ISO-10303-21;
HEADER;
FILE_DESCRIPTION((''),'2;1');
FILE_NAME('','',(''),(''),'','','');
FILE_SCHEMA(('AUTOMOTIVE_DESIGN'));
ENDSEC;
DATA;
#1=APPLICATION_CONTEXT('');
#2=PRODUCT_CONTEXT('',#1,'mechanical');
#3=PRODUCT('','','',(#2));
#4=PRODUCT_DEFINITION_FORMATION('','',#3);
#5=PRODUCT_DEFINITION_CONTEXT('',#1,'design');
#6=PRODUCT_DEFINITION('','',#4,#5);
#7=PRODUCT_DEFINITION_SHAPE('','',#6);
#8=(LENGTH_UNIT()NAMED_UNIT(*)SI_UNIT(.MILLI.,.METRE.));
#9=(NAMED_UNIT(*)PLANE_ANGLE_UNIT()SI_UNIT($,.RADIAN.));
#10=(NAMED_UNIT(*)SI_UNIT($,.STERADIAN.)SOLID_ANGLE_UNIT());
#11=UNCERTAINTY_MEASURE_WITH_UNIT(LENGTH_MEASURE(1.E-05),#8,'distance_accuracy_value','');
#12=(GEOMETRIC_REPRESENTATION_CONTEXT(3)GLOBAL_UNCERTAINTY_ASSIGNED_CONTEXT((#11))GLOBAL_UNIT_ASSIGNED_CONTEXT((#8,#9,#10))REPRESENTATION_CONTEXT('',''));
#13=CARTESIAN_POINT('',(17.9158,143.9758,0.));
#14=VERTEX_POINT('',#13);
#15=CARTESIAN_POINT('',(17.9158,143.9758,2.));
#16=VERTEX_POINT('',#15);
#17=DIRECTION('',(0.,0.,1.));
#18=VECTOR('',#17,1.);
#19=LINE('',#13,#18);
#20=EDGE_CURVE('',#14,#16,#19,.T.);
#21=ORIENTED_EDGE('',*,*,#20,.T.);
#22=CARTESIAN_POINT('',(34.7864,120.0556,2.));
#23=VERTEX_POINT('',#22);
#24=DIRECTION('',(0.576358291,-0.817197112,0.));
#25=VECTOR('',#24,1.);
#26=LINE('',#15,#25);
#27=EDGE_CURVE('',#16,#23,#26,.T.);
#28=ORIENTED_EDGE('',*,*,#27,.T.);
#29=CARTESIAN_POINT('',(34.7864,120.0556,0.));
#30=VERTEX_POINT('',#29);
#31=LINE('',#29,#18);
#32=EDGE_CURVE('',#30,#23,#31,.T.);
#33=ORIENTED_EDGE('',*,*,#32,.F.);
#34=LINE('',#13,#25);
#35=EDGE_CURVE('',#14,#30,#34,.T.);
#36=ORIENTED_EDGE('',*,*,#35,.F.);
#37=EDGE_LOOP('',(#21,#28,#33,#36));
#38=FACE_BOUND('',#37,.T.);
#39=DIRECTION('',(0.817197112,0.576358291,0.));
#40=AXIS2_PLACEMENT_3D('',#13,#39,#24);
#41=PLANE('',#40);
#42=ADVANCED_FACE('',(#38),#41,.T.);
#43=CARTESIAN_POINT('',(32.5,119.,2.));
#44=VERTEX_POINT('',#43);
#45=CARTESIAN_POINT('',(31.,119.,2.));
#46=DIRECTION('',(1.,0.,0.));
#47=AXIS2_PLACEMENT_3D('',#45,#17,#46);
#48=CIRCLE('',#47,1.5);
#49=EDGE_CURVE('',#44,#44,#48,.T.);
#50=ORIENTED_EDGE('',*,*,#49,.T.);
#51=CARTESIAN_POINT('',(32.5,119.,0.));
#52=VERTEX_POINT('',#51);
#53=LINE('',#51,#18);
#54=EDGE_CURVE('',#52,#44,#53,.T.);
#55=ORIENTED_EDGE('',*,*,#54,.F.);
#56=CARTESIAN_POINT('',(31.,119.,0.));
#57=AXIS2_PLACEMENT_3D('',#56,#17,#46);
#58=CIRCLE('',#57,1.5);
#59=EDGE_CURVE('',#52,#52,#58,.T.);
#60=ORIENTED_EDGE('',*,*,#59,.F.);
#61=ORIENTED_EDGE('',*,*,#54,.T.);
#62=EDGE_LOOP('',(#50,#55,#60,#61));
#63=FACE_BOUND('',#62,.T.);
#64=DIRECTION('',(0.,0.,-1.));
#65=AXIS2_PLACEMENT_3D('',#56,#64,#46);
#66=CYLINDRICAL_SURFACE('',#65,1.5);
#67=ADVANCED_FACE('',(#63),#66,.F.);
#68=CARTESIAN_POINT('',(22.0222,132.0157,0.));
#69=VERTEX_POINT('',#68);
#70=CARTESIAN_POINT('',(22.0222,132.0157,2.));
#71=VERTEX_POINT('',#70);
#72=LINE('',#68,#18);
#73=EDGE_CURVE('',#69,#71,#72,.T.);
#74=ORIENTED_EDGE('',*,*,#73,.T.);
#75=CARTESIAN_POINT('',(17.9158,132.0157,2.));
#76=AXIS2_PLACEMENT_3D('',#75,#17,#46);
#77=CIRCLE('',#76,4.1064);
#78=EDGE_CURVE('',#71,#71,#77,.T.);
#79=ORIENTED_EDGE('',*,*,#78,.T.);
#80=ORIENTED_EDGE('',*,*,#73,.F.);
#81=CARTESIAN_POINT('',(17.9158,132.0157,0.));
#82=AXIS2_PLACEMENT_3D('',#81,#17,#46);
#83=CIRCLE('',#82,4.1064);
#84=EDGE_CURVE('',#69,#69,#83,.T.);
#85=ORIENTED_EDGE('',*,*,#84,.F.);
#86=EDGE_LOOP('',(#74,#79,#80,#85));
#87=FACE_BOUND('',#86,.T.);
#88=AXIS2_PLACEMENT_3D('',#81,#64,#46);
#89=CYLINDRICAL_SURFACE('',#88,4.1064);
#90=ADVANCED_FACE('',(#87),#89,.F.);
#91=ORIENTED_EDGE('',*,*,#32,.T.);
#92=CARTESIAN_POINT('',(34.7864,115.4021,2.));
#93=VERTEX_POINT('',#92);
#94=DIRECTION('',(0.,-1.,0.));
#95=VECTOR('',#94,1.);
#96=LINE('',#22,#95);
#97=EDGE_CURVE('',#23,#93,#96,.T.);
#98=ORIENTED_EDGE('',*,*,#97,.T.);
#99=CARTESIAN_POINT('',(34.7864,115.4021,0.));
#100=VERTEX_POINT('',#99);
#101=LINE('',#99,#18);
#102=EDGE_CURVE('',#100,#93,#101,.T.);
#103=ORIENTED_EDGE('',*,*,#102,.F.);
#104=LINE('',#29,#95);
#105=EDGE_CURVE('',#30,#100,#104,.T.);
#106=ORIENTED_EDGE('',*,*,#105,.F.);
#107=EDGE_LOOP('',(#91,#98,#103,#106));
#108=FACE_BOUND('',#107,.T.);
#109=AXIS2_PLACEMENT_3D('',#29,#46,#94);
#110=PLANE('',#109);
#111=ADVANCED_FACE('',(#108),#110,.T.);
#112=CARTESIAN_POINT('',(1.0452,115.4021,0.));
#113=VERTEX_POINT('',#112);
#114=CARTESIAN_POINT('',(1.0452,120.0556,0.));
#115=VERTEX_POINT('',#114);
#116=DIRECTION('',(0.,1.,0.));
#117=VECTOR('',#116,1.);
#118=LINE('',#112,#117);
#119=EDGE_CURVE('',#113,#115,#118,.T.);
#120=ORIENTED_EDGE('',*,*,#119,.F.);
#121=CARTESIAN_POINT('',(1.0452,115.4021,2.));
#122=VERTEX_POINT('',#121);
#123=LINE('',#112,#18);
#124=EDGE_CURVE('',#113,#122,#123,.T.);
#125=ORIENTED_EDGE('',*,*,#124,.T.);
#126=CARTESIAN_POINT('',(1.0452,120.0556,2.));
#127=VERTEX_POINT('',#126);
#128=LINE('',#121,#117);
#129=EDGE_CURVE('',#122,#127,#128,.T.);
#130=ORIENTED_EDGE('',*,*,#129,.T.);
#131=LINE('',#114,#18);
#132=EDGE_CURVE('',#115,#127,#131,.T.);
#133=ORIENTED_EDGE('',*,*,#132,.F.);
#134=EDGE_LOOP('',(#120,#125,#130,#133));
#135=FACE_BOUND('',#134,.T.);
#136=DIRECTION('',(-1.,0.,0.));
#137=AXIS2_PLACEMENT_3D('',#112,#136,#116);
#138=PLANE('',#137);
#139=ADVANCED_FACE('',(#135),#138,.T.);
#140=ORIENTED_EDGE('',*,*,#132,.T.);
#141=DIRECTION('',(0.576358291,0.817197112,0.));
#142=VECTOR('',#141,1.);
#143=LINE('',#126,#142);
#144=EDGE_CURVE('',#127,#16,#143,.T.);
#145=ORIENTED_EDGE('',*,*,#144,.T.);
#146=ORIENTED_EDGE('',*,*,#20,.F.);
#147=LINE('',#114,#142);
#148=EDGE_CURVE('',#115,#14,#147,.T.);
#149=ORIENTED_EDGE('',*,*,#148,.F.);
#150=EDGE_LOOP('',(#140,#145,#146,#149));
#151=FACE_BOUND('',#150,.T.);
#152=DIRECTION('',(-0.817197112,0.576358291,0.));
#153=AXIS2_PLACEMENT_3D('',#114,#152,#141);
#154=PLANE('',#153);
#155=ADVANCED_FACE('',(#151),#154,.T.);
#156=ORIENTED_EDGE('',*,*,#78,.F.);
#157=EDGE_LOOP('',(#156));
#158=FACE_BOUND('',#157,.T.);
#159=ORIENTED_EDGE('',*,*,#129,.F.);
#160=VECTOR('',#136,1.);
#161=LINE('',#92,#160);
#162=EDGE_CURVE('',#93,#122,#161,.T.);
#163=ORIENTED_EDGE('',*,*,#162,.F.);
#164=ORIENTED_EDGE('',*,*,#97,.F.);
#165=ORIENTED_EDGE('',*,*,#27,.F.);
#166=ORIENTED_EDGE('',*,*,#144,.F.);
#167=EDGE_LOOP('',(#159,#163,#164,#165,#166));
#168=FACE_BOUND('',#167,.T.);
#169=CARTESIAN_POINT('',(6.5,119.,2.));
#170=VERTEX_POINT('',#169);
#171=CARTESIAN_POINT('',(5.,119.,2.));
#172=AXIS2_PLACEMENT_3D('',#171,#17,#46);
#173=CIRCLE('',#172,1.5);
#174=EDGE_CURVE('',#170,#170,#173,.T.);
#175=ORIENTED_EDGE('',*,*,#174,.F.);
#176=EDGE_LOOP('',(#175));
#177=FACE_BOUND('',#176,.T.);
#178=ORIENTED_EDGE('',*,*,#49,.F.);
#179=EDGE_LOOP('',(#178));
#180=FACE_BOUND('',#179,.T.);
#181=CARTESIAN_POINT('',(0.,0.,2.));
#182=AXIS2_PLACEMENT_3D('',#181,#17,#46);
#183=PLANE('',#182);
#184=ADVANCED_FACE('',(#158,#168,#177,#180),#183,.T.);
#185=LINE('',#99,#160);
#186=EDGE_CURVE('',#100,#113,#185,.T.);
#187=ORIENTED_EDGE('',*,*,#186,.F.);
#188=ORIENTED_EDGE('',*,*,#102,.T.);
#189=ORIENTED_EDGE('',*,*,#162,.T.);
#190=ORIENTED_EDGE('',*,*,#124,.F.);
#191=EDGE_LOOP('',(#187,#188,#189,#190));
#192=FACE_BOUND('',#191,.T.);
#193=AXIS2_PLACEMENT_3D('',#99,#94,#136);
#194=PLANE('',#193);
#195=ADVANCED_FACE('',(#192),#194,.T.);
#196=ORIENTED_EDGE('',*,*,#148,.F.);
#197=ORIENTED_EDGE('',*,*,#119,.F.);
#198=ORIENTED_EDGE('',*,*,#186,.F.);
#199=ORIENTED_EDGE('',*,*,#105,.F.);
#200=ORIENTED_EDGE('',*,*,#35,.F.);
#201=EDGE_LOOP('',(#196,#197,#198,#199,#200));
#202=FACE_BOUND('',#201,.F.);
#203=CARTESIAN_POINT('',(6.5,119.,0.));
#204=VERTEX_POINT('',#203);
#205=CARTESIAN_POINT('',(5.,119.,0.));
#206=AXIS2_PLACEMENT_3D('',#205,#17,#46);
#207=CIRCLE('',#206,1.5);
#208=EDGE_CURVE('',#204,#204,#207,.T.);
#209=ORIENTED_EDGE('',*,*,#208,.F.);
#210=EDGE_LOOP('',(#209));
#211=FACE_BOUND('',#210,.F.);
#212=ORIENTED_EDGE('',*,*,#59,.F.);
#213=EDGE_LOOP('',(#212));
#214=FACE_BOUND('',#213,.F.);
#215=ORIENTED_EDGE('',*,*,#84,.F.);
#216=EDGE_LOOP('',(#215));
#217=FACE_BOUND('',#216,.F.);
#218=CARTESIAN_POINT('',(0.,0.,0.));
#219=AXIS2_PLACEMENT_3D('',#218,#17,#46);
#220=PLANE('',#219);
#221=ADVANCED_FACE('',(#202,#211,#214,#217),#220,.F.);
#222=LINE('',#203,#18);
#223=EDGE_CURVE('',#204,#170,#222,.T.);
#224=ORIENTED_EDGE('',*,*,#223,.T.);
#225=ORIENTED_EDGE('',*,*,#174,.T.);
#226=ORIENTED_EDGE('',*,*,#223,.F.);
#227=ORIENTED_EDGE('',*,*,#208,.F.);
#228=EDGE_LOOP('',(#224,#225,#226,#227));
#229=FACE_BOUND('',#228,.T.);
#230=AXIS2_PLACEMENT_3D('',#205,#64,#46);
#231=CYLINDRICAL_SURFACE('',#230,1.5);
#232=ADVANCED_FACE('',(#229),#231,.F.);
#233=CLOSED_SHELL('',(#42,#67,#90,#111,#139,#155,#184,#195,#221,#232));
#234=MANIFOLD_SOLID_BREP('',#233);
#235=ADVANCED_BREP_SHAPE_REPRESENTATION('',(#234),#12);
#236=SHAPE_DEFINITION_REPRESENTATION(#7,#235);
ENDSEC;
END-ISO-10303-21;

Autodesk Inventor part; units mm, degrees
ref_plane "YZ Plane" through (0, 0, 0) normal (1, 0, 0) x (0, 1, 0)
ref_plane "XZ Plane" through (0, 0, 0) normal (0, 1, 0) x (-1, 0, 0)
ref_plane "XY Plane" through (0, 0, 0) normal (0, 0, 1) x (1, 0, 0)
ref_plane "РабПлоскость1" through (0, 0, 0) normal (0, 0, 1) x (1, 0, 0)
sketch "Эскиз1" plane through (0, 0, 0) normal (0, 0, 1) x (1, 0, 0)
  line L0 (1.0452, 115.4021) -> (1.0452, 120.0556)
  line L1 (1.0452, 120.0556) -> (17.9158, 143.9758)
  line L2 (17.9158, 143.9758) -> (34.7864, 120.0556)
  line L3 (34.7864, 120.0556) -> (34.7864, 115.4021)
  line L4 (34.7864, 115.4021) -> (1.0452, 115.4021)
  circle A0 centre (5, 119) radius 1.5 projected
  circle A1 centre (31, 119) radius 1.5 projected
  circle A2 centre (17.9158, 132.0157) radius 4.1064
  point P0 (0, 0)
extrude "Выдавливание1" add sketch "Эскиз1" along normal blind 2
properties part number "крепеж подшипника"
